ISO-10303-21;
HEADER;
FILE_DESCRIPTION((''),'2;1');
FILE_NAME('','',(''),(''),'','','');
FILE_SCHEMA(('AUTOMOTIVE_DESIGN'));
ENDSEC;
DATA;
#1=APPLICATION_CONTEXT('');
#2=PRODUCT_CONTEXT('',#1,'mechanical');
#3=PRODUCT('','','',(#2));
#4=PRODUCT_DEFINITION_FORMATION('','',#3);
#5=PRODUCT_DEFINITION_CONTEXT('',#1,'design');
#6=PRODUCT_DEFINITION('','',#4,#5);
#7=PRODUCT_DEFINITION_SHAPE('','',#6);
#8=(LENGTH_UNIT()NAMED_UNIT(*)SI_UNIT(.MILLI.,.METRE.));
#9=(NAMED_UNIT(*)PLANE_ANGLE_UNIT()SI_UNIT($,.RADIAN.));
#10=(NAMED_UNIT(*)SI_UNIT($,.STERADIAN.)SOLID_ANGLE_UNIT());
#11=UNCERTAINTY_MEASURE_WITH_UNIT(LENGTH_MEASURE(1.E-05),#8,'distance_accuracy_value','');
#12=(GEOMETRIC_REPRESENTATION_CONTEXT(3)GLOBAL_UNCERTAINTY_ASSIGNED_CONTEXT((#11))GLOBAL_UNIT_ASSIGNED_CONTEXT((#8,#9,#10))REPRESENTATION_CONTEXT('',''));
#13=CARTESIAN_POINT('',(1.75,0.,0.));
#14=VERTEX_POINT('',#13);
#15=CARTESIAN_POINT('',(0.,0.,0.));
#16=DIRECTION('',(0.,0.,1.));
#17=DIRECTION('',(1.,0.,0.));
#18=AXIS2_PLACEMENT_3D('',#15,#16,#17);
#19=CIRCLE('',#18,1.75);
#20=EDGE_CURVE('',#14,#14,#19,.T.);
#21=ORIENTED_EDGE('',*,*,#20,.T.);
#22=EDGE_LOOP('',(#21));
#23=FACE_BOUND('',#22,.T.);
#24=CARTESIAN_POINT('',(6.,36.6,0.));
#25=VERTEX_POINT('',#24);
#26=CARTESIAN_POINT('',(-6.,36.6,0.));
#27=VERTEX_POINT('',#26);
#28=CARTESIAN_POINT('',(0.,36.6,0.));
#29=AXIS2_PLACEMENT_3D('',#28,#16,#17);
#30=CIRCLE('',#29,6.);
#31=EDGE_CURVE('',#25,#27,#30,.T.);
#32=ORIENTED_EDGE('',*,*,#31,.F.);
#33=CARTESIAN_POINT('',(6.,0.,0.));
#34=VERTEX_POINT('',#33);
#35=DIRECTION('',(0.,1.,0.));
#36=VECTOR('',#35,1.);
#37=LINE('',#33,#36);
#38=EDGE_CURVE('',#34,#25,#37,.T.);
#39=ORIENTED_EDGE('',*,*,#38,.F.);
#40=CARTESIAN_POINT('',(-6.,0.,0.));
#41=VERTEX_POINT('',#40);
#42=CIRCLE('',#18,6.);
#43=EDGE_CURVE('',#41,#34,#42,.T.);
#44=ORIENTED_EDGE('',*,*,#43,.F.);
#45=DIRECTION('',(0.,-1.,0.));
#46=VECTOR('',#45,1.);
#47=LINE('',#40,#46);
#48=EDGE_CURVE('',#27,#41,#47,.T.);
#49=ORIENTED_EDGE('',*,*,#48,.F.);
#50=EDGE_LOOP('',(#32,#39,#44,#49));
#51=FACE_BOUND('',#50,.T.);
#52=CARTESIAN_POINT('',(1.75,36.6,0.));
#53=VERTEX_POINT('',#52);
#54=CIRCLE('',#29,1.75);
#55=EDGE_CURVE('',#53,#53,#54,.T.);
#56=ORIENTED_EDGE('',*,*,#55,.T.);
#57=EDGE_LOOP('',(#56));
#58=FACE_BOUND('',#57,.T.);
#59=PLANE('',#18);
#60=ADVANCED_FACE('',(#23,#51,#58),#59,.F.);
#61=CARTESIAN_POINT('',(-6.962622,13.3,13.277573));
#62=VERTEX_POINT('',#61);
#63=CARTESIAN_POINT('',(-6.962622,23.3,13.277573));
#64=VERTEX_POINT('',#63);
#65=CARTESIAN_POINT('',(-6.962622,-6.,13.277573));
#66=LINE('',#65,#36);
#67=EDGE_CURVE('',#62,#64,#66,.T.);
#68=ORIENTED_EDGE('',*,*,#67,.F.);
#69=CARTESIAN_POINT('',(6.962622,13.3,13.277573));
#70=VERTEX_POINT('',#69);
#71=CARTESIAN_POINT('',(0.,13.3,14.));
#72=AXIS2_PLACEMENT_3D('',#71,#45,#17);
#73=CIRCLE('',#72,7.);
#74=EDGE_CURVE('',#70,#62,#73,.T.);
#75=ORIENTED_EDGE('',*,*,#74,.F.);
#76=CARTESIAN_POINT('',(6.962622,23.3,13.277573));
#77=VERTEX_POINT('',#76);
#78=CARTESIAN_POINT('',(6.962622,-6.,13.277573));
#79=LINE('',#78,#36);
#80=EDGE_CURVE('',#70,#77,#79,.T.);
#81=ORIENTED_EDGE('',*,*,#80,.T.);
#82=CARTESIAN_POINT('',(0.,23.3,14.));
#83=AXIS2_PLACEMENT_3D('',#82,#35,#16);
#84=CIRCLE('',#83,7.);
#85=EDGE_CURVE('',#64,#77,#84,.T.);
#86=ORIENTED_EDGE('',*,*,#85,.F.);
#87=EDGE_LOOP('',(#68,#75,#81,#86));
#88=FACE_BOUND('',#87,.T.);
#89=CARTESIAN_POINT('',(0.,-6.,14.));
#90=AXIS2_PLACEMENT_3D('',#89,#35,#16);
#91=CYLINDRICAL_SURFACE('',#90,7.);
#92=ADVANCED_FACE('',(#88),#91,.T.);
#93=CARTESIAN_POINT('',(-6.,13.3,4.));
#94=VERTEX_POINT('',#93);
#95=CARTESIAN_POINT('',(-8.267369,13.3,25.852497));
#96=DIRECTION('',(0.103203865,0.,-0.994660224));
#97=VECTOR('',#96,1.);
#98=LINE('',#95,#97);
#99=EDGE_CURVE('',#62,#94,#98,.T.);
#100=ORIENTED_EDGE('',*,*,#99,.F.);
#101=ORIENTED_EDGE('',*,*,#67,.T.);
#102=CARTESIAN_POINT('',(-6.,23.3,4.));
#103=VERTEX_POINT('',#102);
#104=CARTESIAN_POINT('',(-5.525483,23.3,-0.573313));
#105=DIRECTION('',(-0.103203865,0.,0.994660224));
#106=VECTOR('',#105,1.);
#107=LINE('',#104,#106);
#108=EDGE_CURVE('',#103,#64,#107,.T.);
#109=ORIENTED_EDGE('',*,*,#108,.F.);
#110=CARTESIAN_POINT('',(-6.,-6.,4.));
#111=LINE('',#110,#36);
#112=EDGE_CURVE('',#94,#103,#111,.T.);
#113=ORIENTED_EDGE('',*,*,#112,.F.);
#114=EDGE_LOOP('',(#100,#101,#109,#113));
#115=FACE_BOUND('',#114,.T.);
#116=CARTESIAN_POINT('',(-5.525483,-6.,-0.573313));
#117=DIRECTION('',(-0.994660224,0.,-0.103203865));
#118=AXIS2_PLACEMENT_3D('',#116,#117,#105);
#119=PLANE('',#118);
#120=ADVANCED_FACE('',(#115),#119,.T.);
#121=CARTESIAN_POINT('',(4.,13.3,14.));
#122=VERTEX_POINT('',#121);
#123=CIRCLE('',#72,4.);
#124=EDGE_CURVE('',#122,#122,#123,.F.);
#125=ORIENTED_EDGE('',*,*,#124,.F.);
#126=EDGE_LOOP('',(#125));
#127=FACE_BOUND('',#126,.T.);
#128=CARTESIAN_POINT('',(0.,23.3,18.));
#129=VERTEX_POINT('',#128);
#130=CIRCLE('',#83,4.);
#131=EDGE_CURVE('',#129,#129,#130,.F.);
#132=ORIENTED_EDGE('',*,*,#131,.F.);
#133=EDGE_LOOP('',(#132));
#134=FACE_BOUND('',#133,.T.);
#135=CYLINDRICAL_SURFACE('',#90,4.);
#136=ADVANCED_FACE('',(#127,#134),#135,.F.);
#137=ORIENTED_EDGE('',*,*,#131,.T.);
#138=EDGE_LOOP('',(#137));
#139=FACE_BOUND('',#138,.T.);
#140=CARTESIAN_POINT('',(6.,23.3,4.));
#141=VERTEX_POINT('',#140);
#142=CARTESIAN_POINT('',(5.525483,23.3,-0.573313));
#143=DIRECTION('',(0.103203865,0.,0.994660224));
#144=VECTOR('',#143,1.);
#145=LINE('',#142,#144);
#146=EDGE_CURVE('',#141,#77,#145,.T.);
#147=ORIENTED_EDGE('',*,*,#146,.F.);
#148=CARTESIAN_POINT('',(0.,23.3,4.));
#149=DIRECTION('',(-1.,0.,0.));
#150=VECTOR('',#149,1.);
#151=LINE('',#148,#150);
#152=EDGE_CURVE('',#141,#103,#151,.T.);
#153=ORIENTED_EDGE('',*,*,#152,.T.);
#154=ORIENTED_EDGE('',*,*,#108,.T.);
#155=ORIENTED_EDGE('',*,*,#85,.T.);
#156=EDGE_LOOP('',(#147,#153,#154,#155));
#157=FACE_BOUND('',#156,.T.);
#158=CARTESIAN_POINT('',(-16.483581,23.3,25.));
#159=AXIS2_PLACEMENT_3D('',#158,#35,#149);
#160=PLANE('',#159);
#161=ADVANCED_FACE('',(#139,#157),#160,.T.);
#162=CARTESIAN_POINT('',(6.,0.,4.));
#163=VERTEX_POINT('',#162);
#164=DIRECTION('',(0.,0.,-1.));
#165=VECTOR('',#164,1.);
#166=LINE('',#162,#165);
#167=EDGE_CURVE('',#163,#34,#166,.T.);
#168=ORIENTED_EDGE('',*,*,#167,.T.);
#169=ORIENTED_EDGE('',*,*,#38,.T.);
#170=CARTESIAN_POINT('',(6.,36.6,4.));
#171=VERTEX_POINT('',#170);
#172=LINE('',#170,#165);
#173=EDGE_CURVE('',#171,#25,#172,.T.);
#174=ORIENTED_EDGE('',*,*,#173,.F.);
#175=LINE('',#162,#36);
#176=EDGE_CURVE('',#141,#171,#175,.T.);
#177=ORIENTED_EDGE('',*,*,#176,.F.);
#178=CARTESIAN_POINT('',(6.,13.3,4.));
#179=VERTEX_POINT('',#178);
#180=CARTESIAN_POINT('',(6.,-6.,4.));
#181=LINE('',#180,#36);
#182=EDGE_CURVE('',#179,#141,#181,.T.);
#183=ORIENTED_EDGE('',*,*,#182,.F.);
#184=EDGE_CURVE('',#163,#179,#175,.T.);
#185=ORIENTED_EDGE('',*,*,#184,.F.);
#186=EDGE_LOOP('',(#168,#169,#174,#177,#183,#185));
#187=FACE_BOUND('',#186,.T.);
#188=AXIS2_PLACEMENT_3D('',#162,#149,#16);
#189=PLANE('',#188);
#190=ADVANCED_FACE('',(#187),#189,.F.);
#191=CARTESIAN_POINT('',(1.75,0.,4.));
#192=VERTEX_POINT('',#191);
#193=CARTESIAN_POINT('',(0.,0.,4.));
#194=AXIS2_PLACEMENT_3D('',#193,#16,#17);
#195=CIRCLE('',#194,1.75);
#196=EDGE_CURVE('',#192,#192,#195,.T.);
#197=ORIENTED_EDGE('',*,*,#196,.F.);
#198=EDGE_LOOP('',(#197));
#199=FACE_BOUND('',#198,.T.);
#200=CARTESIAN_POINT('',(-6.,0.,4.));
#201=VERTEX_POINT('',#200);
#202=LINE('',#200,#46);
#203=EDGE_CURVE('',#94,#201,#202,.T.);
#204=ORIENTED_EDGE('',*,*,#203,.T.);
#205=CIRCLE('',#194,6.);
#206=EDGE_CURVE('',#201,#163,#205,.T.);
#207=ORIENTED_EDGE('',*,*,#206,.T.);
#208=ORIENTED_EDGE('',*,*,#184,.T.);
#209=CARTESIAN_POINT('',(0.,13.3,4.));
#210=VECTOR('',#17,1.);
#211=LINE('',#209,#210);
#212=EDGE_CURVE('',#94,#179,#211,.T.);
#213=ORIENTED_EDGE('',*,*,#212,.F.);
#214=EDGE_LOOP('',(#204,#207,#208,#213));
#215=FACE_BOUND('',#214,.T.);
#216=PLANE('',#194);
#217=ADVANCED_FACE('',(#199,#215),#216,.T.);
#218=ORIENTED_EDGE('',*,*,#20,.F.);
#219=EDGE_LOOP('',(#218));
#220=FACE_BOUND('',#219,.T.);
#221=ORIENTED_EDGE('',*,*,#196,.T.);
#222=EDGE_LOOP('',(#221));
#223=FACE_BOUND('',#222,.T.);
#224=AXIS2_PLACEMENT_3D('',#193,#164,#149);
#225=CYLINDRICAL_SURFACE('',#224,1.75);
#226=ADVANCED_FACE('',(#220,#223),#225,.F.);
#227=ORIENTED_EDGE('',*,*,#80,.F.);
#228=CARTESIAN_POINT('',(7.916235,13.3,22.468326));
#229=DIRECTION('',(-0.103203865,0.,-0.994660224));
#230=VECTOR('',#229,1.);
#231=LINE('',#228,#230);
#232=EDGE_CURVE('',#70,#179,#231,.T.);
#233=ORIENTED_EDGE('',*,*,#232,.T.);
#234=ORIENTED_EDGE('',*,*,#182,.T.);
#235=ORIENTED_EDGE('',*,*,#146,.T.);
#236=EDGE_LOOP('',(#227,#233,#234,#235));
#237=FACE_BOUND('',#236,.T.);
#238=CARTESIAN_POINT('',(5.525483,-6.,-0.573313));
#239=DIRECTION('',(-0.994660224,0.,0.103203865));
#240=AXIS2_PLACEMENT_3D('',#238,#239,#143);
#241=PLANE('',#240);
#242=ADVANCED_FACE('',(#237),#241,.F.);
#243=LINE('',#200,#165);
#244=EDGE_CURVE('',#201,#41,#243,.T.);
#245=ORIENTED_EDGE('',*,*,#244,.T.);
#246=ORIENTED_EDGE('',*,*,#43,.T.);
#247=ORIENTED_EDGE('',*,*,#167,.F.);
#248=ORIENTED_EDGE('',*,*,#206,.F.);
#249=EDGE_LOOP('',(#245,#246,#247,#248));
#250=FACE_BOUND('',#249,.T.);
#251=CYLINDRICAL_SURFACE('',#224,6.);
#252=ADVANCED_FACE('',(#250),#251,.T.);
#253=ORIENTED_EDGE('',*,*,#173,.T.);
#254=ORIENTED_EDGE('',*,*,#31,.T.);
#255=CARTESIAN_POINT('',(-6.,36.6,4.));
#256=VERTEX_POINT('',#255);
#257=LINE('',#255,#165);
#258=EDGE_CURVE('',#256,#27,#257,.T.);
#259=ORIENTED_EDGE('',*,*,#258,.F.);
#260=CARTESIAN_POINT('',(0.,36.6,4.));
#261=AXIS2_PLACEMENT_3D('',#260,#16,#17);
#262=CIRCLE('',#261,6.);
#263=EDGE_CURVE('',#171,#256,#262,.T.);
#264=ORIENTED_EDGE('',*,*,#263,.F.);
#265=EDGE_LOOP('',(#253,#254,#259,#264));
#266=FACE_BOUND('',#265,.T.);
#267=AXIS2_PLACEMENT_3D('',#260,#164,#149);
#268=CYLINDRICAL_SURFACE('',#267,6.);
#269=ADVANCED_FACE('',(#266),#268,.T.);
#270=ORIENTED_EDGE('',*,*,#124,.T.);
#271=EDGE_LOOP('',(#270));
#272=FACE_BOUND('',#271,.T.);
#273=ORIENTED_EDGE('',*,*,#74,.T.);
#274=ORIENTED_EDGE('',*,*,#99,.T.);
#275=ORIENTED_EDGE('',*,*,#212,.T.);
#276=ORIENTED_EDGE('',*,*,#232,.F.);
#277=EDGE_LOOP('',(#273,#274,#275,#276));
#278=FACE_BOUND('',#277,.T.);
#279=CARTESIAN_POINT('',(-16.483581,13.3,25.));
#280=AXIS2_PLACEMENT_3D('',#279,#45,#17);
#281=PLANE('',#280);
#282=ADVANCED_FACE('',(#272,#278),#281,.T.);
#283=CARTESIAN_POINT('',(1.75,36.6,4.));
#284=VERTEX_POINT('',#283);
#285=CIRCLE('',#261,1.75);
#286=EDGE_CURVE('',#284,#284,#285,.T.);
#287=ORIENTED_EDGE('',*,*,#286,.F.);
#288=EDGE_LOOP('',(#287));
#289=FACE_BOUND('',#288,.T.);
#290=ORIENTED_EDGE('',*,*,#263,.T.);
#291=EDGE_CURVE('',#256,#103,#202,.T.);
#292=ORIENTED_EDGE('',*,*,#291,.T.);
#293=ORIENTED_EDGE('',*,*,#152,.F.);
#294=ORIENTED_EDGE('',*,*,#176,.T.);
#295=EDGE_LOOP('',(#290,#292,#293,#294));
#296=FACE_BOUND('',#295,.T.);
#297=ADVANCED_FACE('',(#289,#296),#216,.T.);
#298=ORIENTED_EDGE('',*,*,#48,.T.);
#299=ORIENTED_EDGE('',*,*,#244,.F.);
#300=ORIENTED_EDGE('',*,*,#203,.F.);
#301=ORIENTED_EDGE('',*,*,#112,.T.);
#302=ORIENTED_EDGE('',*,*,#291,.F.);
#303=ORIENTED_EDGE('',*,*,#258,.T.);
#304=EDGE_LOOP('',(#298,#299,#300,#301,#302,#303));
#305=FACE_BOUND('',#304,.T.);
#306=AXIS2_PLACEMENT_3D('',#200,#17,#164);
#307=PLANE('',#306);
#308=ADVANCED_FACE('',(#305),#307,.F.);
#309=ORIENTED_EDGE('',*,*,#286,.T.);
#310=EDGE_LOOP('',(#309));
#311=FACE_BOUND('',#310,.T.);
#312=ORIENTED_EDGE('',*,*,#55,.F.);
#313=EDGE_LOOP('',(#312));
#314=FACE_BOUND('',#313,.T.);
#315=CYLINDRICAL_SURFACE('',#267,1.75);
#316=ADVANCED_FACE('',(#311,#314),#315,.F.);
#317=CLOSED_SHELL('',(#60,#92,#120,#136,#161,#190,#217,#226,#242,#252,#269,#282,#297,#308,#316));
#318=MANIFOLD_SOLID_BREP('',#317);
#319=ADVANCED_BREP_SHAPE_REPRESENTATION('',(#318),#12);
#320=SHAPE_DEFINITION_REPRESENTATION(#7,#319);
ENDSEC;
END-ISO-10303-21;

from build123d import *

# Parameters (mm, degrees)
ESBO_O1_R                = 1.75
RESSALTO_EXTRUS_O1_DEPTH = 4
ESBO_O2_W                = 32.967162932
ESBO_O2_H                = 10
RESSALTO_EXTRUS_O2_DEPTH = 25
ESBO_O3_R                = 4
CORTE_EXTRUS_O3_DEPTH    = 42.895088709


with BuildPart() as part:
    # Esboço1 → Ressalto-extrusão1 (new body)
    with BuildSketch(Plane.XY):
        with BuildLine():
            Line((-6, 0), (-6, 36.6))
            ThreePointArc((-6, 36.6), (0, 42.6), (6, 36.6))
            Line((6, 36.6), (6, 0))
            ThreePointArc((6, 0), (0, -6), (-6, 0))
        make_face()
        Circle(ESBO_O1_R, mode=Mode.SUBTRACT)
        with Locations((0, 36.6)):
            Circle(ESBO_O1_R, mode=Mode.SUBTRACT)
    extrude(amount=RESSALTO_EXTRUS_O1_DEPTH)

    # Esboço2 → Ressalto-extrusão2 (add)
    with BuildSketch(Plane(origin=(0, 0, 0), x_dir=(-1, 0, 0), z_dir=(0, 0, -1))):
        with Locations((0, 18.3)):
            Rectangle(ESBO_O2_W, ESBO_O2_H)
    extrude(amount=-RESSALTO_EXTRUS_O2_DEPTH)

    # Esboço3 → Corte-extrusão3 (cut, through all)
    with BuildSketch(Plane(origin=(0, 23.3, 0), x_dir=(1, 0, 0), z_dir=(0, 1, 0))):
        with BuildLine():
            Line((-6.962621571, -13.277572943), (-6, -4))
            Line((-6, -4), (-6, 0))
            Line((-6, 0), (-16.483581466, 0))
            Line((-16.483581466, 0), (-16.483581466, -25))
            Line((-16.483581466, -25), (16.483581466, -25))
            Line((16.483581466, -25), (16.483581466, 0))
            Line((16.483581466, 0), (6, 0))
            Line((6, 0), (6, -4))
            Line((6, -4), (6.962621571, -13.277572943))
            ThreePointArc((6.962621571, -13.277572943), (0, -21), (-6.962621571, -13.277572943))
        make_face()
        with Locations(Location((0, -14, 0), (0, 0, 270))):
            Circle(ESBO_O3_R)
    extrude(amount=-CORTE_EXTRUS_O3_DEPTH, mode=Mode.SUBTRACT)


solid = part.part
